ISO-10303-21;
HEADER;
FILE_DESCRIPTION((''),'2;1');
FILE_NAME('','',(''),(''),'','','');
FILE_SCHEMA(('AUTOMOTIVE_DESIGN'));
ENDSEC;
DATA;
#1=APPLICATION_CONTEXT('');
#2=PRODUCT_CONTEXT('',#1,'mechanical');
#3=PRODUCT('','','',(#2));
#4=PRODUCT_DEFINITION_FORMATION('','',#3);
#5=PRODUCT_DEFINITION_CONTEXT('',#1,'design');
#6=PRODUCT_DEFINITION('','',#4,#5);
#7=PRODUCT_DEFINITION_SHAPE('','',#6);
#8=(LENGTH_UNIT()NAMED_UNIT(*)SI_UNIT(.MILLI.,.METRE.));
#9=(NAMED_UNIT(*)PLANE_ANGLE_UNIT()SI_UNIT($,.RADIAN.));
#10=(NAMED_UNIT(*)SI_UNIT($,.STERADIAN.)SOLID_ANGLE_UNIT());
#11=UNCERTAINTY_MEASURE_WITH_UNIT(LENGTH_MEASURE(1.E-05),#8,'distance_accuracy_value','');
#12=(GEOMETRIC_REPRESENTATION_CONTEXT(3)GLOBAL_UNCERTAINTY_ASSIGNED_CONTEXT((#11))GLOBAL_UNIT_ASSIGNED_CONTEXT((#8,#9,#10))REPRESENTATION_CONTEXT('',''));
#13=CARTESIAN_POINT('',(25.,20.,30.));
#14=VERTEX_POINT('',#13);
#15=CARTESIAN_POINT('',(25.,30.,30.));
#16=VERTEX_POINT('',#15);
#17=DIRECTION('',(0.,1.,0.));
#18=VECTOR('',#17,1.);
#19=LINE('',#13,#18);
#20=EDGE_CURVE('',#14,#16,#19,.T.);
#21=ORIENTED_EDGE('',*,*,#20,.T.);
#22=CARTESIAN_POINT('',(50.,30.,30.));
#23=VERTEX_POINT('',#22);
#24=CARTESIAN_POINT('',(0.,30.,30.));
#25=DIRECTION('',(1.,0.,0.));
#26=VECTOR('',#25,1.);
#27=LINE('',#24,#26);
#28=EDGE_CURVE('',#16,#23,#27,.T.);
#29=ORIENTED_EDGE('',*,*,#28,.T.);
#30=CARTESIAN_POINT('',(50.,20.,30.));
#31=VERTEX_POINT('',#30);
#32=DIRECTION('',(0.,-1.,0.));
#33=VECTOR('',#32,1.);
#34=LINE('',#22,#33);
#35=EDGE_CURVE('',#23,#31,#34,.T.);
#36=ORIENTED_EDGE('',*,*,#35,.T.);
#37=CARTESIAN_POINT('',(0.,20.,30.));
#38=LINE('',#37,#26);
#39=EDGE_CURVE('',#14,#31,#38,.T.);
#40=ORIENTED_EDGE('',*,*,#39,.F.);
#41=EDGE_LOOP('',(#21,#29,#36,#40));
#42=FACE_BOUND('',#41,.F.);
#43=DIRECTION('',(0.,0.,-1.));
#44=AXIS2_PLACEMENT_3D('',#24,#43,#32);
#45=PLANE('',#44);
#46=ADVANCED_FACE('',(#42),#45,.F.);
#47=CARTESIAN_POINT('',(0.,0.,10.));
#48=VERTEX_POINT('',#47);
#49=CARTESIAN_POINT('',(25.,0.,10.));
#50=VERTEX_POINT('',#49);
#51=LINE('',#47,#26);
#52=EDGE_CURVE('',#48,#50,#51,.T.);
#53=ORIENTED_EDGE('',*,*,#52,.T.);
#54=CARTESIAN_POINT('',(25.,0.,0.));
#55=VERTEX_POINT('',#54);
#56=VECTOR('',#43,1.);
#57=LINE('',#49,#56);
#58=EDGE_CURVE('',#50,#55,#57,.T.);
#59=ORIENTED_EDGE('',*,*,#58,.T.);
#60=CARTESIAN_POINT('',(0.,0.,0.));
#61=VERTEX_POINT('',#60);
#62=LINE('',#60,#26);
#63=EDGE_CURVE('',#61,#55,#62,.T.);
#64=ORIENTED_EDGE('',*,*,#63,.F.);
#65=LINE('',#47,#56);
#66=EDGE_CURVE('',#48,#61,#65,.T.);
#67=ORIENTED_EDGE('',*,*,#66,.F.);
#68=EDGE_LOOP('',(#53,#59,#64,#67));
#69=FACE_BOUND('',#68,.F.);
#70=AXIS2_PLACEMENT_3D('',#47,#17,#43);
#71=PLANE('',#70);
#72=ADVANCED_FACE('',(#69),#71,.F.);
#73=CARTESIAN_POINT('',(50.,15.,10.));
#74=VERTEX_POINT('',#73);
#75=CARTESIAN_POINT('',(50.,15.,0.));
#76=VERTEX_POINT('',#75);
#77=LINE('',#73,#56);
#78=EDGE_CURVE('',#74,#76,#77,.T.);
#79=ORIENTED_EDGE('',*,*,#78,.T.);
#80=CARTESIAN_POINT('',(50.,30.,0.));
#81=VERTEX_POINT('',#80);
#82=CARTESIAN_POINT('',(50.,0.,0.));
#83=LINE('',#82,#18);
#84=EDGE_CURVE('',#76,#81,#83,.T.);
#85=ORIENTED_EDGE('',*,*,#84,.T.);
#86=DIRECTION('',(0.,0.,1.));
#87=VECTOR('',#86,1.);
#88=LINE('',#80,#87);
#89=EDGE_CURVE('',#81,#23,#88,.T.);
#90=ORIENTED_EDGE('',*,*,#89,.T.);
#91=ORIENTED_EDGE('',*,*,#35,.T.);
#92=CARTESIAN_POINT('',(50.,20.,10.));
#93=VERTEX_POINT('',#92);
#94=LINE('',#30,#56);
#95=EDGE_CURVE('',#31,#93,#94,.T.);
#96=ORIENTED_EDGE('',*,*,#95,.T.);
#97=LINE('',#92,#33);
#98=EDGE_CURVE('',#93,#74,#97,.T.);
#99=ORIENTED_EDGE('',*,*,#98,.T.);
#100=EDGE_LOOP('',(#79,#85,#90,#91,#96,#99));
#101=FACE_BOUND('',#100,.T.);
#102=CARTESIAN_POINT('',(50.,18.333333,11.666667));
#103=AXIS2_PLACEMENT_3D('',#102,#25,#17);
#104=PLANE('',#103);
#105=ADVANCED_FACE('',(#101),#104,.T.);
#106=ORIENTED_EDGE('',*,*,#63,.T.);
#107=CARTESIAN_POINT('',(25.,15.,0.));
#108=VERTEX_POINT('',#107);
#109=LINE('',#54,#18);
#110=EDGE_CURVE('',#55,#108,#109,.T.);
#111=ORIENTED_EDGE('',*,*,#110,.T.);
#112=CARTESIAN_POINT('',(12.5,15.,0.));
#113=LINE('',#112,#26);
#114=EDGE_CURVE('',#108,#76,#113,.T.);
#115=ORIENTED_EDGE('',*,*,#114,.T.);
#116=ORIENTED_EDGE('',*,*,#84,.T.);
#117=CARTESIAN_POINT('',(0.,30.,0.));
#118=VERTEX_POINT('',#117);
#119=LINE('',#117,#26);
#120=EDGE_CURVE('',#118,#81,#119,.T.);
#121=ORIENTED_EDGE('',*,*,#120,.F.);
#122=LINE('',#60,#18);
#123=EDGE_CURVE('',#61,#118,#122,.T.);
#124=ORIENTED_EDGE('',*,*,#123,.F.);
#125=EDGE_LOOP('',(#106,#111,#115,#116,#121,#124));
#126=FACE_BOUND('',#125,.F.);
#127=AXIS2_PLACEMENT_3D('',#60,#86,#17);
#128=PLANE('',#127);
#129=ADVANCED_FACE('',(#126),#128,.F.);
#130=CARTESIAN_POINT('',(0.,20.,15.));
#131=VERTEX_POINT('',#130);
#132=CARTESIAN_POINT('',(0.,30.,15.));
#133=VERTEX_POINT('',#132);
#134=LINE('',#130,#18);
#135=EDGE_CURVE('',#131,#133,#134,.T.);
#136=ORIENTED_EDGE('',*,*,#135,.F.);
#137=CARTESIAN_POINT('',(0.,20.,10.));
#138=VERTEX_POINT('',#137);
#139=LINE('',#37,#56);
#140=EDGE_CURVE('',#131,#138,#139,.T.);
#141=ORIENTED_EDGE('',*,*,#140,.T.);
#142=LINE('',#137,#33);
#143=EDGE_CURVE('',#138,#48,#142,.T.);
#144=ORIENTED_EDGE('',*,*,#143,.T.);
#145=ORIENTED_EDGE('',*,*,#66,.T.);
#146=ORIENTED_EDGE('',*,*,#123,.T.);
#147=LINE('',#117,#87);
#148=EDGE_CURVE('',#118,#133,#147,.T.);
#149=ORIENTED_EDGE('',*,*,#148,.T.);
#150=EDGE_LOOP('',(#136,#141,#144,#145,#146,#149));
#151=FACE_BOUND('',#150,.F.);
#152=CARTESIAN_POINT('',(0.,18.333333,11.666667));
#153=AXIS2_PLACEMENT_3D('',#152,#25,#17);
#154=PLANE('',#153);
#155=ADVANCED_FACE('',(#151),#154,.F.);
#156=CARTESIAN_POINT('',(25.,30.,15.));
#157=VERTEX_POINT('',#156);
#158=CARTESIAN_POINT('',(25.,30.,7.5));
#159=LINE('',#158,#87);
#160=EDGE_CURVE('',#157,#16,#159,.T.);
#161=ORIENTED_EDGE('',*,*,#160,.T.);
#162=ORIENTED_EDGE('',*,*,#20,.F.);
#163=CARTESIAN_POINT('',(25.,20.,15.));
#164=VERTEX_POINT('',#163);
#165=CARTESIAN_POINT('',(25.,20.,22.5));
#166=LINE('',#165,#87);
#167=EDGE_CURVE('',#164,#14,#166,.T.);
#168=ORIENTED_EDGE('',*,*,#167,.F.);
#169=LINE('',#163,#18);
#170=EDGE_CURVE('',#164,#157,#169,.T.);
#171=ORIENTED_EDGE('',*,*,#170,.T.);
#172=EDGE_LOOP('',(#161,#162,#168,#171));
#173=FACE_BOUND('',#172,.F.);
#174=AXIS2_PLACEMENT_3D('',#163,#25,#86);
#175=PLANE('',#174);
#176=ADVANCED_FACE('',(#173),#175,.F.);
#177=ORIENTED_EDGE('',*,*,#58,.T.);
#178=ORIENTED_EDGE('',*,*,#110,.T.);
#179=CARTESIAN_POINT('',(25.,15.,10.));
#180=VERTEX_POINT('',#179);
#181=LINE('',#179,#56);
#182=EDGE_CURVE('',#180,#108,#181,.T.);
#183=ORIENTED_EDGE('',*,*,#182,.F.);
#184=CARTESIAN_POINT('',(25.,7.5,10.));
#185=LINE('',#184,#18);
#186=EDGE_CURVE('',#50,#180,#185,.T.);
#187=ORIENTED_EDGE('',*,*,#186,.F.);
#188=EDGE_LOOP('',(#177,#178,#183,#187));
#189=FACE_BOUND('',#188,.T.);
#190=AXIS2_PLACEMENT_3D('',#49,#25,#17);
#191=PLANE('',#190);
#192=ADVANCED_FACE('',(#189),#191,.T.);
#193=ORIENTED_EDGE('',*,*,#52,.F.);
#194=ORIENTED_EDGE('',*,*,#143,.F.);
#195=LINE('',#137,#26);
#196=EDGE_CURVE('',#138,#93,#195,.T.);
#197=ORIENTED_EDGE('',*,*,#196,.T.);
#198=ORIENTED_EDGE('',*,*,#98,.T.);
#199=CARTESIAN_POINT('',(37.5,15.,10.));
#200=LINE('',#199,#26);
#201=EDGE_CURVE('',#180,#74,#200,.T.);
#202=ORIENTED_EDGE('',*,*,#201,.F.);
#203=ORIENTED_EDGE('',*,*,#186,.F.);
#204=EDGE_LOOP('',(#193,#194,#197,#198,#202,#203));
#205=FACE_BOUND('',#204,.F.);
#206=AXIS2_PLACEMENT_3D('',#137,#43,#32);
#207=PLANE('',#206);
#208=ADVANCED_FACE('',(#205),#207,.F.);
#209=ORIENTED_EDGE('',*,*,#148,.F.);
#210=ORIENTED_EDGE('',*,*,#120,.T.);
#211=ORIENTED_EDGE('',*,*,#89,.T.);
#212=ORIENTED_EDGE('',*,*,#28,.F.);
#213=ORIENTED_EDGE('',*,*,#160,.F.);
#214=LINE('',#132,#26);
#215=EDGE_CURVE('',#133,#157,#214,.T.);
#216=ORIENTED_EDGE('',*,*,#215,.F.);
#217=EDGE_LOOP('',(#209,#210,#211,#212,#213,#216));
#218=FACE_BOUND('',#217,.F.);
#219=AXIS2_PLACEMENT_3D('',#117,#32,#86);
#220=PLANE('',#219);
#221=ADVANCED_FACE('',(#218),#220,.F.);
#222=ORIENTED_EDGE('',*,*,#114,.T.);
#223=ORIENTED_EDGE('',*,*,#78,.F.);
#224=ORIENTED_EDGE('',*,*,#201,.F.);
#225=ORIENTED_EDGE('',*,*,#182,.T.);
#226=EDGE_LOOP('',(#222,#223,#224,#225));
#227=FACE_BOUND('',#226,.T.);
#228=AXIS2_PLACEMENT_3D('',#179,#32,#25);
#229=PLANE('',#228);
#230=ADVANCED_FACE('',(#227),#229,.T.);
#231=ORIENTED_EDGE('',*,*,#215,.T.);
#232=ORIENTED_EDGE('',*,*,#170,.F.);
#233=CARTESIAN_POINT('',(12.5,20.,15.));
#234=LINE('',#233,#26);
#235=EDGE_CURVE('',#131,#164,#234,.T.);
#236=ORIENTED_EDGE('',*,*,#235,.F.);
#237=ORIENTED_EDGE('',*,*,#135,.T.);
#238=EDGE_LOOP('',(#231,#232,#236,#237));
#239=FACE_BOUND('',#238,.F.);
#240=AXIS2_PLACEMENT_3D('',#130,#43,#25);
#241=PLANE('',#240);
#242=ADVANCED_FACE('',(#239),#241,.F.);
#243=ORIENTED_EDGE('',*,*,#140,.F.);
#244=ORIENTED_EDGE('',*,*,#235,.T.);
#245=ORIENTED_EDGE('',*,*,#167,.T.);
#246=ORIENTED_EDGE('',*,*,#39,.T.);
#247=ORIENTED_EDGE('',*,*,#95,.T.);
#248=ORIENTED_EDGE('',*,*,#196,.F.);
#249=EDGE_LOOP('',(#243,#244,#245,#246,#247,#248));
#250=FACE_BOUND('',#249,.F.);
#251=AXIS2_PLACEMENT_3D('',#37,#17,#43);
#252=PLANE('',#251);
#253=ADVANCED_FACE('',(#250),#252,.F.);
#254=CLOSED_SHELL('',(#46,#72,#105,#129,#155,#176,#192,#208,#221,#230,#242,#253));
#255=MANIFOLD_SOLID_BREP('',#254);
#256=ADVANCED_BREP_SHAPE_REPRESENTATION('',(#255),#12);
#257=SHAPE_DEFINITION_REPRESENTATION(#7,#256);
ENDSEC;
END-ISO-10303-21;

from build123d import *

# Parameters (mm, degrees)
F1_DEPTH = 50
F2_W     = 25
F2_H     = 15
F3_DEPTH = 10.001
F4_W     = 25
F4_H     = 15
F5_DEPTH = 10.001


with BuildPart() as f1:
    # F0 (on Right) → F1 (new body)
    with BuildSketch(Plane.YZ):
        Polygon((0, 10), (0, 0), (30, 0), (30, 30), (20, 30), (20, 10), align=None)
    extrude(amount=F1_DEPTH)

    # F2 (on face) → F3 (cut, through all)
    with BuildSketch(Plane.XZ.offset(-20)):
        with Locations((12.5, 22.5)):
            Rectangle(F2_W, F2_H)
    extrude(amount=-F3_DEPTH, mode=Mode.SUBTRACT)

    # F4 (on face) → F5 (cut, through all)
    with BuildSketch(Plane.XY.offset(10)):
        with Locations((37.5, 7.5)):
            Rectangle(F4_W, F4_H)
    extrude(amount=-F5_DEPTH, mode=Mode.SUBTRACT)


solid = f1.part
